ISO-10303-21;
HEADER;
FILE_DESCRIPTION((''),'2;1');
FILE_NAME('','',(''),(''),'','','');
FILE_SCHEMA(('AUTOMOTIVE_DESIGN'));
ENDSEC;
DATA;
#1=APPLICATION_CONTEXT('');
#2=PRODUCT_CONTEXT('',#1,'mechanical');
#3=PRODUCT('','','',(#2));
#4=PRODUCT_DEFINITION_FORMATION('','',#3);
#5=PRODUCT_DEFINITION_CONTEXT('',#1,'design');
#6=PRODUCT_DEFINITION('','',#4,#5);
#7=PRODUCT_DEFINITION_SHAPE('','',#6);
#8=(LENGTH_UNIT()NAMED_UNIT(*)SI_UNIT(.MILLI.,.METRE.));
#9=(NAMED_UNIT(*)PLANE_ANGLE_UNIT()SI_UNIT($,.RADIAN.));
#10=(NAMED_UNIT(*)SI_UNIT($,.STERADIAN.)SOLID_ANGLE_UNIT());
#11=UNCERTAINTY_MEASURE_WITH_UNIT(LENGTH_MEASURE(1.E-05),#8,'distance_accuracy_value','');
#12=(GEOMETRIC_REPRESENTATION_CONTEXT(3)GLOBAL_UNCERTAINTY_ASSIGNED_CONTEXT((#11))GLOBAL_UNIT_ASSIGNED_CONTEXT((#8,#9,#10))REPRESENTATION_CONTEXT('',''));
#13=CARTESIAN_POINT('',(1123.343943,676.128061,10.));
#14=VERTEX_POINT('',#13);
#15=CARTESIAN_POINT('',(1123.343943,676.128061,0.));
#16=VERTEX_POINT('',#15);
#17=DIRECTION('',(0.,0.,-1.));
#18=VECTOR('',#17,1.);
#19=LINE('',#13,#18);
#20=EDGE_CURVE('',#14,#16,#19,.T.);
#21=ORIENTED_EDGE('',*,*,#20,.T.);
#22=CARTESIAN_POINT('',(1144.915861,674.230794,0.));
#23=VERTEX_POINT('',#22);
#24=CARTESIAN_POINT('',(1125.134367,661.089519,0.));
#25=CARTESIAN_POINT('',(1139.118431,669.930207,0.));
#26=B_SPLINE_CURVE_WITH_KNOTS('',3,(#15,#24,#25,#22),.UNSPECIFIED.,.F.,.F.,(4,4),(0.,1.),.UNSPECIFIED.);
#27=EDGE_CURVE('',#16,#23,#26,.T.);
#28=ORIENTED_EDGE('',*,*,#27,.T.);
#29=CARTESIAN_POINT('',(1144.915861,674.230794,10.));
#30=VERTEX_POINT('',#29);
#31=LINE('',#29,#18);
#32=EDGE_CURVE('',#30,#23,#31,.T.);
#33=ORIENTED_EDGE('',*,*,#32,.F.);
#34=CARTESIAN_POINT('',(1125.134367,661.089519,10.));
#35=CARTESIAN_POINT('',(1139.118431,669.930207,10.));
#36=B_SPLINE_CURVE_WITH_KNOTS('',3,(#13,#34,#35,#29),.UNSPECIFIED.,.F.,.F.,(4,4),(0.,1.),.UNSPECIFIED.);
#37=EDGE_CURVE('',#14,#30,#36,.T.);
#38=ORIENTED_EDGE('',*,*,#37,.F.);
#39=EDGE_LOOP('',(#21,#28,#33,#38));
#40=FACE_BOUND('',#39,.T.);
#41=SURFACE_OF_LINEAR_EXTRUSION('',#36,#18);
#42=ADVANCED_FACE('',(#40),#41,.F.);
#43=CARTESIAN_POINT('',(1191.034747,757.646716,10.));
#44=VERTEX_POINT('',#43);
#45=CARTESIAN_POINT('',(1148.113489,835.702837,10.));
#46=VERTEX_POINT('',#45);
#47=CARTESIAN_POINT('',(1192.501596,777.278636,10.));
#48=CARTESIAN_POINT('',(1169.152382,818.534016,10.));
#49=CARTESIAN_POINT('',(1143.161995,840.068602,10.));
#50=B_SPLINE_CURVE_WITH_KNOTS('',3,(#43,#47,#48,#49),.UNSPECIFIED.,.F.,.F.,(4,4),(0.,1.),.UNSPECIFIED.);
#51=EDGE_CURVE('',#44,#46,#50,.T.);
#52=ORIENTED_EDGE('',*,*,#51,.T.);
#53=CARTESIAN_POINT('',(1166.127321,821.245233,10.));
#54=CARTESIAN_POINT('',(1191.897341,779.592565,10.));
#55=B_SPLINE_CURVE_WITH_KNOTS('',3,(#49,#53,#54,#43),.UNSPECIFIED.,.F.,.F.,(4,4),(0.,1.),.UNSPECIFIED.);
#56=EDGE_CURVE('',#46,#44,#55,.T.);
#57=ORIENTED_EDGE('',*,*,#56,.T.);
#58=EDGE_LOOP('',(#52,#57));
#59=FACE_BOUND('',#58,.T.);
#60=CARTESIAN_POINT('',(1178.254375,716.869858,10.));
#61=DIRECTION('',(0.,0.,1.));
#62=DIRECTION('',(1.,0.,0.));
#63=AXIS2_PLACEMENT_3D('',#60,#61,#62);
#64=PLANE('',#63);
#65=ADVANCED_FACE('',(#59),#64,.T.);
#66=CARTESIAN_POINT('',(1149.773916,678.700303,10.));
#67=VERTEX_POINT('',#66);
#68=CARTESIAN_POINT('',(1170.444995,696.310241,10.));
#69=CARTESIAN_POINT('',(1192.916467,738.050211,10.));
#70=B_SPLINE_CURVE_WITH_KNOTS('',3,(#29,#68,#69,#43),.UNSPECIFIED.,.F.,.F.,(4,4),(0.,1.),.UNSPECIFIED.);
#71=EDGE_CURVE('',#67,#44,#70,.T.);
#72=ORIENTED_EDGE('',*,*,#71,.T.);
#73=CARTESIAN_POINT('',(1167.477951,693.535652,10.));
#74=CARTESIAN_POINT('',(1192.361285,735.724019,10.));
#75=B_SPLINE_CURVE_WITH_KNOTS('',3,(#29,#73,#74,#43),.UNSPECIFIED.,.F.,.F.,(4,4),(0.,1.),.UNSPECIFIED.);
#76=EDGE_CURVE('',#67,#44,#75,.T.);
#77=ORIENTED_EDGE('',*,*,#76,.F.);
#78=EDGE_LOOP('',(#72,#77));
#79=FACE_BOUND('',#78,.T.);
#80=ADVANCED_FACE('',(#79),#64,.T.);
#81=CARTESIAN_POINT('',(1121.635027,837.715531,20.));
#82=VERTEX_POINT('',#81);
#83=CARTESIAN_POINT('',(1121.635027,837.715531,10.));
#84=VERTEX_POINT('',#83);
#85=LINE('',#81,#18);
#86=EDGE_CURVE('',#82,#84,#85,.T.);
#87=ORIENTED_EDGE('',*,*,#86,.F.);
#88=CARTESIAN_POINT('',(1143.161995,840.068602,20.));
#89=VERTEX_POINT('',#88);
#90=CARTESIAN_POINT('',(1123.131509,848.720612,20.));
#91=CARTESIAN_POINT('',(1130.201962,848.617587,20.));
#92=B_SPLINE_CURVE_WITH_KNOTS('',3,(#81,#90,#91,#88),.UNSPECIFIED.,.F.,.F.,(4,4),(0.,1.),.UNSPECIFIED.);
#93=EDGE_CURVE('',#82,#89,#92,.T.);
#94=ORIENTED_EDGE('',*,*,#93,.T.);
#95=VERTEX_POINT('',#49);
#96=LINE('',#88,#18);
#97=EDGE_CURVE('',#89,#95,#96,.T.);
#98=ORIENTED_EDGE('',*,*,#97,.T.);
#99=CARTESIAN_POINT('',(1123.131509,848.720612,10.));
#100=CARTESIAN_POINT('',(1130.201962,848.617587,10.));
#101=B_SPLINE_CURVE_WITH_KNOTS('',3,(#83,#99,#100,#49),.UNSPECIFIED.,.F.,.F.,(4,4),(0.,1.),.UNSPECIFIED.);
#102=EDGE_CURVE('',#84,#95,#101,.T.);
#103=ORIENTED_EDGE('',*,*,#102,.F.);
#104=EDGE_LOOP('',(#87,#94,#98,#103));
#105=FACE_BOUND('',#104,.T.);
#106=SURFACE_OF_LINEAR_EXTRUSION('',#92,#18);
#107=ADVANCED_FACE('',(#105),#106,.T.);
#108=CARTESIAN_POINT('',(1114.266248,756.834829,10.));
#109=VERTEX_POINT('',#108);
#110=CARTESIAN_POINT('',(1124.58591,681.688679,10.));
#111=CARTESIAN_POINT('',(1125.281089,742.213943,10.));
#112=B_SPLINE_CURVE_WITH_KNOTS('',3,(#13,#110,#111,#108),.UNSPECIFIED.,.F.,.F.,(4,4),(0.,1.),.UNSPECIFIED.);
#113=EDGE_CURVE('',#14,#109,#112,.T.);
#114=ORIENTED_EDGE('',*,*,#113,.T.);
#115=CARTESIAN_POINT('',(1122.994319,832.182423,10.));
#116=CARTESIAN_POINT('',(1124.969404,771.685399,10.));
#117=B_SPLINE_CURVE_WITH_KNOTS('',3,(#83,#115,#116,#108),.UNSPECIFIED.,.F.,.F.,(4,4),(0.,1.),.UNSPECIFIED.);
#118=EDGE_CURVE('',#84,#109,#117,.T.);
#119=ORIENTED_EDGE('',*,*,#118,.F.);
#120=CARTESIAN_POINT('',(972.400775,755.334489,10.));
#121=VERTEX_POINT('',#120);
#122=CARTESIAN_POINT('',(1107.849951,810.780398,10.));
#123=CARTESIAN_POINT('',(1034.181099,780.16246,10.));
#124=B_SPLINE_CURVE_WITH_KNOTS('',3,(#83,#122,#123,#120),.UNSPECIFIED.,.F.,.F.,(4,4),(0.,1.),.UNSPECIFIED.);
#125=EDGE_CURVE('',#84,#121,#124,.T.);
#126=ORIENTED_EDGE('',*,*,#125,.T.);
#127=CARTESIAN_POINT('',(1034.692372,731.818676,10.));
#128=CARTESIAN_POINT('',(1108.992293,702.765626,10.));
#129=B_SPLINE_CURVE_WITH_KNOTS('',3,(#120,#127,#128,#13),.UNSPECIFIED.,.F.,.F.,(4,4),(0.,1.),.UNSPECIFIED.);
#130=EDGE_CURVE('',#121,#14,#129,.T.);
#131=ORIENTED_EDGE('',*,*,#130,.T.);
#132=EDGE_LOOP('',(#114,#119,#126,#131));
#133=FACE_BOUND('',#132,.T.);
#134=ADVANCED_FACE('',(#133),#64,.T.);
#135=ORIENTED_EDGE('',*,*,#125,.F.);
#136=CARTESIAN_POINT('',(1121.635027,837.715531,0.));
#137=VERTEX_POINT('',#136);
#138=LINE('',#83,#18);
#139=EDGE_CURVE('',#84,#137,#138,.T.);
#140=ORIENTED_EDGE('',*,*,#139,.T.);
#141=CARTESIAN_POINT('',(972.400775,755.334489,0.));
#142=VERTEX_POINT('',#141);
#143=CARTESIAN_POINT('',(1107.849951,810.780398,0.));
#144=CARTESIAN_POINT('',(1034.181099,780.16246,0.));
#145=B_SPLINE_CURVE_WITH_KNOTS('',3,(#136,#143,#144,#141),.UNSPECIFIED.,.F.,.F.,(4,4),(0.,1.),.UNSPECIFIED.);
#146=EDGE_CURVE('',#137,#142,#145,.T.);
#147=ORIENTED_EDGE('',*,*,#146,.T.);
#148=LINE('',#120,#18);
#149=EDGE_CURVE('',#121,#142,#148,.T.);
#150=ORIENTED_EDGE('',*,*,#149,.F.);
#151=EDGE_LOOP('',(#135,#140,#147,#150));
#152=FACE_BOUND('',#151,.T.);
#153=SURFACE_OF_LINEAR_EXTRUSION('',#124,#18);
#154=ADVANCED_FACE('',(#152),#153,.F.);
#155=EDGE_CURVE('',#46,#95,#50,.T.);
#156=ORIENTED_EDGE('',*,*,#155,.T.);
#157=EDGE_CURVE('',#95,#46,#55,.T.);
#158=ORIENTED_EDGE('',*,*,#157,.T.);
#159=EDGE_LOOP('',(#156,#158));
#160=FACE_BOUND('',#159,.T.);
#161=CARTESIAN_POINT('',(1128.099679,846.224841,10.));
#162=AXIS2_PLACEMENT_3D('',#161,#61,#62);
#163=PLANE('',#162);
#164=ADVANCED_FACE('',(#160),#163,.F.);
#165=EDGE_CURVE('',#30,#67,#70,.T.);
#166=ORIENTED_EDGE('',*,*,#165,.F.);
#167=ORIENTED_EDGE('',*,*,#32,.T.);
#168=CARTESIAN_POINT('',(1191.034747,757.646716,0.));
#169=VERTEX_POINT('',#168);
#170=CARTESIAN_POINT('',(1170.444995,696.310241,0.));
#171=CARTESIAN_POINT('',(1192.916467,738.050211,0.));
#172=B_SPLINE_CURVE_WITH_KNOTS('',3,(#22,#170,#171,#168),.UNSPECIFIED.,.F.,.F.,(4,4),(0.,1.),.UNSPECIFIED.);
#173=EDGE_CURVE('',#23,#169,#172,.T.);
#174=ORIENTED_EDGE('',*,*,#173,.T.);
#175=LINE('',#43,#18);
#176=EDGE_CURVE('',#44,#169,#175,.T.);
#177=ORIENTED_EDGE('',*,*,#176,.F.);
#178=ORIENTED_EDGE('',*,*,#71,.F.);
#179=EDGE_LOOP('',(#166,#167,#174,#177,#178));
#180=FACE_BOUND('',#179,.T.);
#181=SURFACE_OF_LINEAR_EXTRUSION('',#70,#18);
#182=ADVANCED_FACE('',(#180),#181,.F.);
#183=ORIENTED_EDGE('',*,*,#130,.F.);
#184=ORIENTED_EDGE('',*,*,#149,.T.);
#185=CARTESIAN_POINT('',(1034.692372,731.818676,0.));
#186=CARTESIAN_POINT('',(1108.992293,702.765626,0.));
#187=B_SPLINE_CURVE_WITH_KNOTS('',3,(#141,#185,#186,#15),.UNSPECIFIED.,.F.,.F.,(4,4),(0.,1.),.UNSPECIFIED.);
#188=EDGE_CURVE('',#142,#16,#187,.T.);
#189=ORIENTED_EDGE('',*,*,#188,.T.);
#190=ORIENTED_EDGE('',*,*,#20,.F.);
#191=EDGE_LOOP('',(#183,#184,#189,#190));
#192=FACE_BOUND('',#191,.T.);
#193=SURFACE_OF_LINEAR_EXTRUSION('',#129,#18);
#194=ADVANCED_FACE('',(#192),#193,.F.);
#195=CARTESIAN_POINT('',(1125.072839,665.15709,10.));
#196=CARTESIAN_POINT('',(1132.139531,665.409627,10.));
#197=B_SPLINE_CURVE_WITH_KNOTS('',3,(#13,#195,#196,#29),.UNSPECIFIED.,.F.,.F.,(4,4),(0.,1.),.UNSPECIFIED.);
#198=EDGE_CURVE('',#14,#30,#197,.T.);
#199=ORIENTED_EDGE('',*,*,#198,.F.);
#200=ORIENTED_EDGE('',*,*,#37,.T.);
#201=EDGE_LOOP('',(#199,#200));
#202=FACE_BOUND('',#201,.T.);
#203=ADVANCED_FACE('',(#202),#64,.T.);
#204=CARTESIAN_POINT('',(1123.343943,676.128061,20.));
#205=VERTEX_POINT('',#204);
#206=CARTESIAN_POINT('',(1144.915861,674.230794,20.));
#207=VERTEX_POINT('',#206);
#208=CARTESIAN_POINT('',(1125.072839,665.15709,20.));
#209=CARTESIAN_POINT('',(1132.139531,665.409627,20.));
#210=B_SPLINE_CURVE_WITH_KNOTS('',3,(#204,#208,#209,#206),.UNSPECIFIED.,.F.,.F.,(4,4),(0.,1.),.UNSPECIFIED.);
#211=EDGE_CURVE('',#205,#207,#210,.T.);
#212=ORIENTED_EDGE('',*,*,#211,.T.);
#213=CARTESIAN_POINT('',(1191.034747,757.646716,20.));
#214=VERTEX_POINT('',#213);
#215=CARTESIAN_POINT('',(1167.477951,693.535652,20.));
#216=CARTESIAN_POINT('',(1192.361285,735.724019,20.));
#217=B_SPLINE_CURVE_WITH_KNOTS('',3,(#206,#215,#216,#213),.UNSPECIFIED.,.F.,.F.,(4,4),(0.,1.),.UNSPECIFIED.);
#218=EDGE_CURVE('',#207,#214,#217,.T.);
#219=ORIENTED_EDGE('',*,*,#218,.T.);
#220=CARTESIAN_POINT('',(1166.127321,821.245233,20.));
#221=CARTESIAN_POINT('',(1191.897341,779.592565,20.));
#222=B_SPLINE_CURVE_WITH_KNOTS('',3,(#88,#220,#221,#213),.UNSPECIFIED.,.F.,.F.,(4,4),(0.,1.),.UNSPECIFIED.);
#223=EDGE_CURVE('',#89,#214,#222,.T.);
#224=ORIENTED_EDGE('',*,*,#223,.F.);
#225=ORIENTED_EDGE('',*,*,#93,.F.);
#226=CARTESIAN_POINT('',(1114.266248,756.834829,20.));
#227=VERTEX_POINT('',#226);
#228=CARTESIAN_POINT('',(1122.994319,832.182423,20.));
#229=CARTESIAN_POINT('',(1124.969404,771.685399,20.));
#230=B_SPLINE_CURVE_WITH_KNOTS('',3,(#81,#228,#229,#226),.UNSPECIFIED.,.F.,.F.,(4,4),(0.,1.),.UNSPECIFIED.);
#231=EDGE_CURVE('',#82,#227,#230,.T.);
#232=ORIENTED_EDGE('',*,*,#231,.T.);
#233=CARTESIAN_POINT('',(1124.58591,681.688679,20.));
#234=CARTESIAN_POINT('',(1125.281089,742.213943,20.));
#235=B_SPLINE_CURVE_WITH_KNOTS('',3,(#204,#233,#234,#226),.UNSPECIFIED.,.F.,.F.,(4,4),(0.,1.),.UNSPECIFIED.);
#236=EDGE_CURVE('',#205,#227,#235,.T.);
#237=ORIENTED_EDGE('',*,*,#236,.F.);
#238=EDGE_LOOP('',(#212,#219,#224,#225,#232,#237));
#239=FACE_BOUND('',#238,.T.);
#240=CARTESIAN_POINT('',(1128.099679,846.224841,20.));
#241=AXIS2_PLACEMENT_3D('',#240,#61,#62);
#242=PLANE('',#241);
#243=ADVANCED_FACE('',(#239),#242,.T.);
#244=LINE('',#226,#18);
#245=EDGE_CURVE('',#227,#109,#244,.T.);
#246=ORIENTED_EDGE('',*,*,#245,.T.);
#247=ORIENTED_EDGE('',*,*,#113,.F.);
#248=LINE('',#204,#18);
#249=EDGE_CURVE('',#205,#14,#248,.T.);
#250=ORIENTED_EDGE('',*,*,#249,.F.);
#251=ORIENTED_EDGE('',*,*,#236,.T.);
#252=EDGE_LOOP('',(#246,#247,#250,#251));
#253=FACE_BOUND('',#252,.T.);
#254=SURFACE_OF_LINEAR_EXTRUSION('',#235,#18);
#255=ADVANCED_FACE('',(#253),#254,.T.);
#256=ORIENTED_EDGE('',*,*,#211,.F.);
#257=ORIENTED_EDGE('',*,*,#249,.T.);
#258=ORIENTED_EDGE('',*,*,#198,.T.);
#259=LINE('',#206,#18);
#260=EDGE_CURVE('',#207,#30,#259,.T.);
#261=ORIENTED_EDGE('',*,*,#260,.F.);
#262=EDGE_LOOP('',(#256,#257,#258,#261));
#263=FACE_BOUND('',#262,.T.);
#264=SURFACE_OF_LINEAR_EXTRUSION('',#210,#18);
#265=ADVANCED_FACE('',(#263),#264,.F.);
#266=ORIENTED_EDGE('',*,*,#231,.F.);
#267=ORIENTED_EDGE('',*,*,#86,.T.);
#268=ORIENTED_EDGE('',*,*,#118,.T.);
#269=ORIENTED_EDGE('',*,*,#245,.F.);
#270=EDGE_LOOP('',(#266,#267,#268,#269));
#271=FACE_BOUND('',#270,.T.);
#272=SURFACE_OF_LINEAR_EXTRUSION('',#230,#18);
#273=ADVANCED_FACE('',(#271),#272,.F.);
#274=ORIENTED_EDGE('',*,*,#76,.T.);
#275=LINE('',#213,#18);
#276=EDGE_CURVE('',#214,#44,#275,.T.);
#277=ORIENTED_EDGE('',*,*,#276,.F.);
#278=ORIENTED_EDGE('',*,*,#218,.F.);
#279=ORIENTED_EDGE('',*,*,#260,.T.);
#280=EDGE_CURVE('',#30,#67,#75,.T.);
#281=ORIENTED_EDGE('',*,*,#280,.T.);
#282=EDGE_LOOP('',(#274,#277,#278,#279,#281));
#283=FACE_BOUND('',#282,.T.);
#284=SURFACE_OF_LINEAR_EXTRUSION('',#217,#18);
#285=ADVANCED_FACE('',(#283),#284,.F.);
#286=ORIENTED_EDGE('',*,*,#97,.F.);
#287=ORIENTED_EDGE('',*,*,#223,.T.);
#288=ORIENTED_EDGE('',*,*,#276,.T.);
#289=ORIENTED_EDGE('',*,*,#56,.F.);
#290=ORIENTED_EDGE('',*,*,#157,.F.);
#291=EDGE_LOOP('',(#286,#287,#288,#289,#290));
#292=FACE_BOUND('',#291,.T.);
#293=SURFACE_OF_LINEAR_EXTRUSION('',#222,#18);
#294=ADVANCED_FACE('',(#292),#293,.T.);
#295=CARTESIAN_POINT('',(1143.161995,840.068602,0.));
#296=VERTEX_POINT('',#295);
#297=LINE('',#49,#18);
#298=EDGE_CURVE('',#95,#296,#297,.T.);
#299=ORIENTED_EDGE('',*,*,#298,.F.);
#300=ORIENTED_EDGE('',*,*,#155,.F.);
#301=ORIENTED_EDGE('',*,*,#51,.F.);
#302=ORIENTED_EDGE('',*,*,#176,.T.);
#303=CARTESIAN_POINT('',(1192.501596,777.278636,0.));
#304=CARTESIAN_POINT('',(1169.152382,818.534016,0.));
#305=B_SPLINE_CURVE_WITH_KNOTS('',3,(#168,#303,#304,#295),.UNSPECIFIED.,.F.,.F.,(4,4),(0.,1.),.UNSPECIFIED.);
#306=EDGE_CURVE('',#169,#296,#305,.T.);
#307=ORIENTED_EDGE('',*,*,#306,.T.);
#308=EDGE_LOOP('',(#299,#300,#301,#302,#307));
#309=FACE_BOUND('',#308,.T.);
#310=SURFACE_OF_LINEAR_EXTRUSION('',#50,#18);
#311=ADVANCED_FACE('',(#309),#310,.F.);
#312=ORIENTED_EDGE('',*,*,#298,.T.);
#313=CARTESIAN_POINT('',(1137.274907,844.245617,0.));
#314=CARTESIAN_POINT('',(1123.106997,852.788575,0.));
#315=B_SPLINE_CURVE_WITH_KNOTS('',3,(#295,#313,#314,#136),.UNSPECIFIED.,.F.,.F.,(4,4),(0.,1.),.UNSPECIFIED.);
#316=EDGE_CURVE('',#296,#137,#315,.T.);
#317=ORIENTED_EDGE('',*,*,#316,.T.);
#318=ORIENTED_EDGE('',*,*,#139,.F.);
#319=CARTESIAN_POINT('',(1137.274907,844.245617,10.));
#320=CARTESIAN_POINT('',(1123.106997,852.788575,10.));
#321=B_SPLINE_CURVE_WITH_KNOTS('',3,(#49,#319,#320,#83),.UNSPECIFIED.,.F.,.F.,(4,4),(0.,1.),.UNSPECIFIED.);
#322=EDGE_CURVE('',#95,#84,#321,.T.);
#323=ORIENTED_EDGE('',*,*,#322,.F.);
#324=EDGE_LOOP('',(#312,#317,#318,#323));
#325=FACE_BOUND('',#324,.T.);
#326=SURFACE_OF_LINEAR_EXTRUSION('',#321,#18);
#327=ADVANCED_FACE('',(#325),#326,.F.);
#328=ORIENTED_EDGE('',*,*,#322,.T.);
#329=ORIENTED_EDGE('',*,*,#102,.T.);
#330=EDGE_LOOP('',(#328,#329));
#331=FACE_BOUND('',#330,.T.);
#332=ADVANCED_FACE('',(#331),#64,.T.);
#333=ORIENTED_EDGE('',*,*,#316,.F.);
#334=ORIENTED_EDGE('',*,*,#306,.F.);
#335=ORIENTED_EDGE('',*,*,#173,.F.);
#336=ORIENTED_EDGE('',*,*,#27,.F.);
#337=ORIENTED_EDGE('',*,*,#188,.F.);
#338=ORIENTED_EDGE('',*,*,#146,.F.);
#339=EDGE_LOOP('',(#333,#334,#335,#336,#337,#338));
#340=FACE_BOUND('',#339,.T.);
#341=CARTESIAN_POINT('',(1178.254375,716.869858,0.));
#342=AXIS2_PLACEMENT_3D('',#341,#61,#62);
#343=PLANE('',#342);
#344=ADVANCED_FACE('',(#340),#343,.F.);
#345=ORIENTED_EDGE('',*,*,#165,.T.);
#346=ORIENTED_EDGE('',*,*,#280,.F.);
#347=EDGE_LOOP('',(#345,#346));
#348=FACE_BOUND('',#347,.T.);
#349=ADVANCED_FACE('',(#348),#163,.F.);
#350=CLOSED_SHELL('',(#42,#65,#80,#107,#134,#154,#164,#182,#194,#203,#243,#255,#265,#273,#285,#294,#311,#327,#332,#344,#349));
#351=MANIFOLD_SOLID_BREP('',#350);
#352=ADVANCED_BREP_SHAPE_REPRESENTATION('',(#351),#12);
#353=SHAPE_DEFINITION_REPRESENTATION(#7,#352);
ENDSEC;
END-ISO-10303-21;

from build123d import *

# Parameters (mm, degrees)
BOSS_EXTRUDE1_DEPTH = 10
BOSS_EXTRUDE2_DEPTH = 10


with BuildPart() as part:
    # Sketch3 → Boss-Extrude1 (new body)
    with BuildSketch(Plane.XY):
        with BuildLine():
            add(Edge.make_bspline(
                [(1191.034746988, 757.646716361), (1192.501595784, 777.278635739), (1169.152381791, 818.53401585), (1143.161995097, 840.068602242)],
                knots=[0, 0, 0, 0, 1, 1, 1, 1], degree=3))
            add(Edge.make_bspline(
                [(1143.161995097, 840.068602242), (1137.274907156, 844.245616795), (1123.106997409, 852.788575192), (1121.635027153, 837.715530595)],
                knots=[0, 0, 0, 0, 1, 1, 1, 1], degree=3))
            add(Edge.make_bspline(
                [(1121.635027153, 837.715530595), (1107.849951403, 810.780397707), (1034.181098513, 780.162460067), (972.400775185, 755.334488692)],
                knots=[0, 0, 0, 0, 1, 1, 1, 1], degree=3))
            add(Edge.make_bspline(
                [(1123.343942812, 676.128061097), (1108.992293291, 702.765625798), (1034.692372372, 731.818676288), (972.400775185, 755.334488692)],
                knots=[0, 0, 0, 0, 1, 1, 1, 1], degree=3))
            add(Edge.make_bspline(
                [(1144.915861455, 674.230794361), (1139.118430881, 669.930206757), (1125.134366982, 661.089518909), (1123.343942812, 676.128061097)],
                knots=[0, 0, 0, 0, 1, 1, 1, 1], degree=3))
            add(Edge.make_bspline(
                [(1191.034746988, 757.646716361), (1192.916467494, 738.050210759), (1170.444995161, 696.310240546), (1144.915861455, 674.230794361)],
                knots=[0, 0, 0, 0, 1, 1, 1, 1], degree=3))
        make_face()
    extrude(amount=BOSS_EXTRUDE1_DEPTH)

    # Sketch4 → Boss-Extrude2 (add)
    with BuildSketch(Plane.XY.offset(10)):
        with BuildLine():
            add(Edge.make_bspline(
                [(1121.635027153, 837.715530595), (1122.994319161, 832.182423063), (1124.969404488, 771.685399193), (1114.266247799, 756.83482859)],
                knots=[0, 0, 0, 0, 1, 1, 1, 1], degree=3))
            add(Edge.make_bspline(
                [(1123.343942812, 676.128061097), (1124.585909874, 681.688679007), (1125.281088513, 742.213943037), (1114.266247799, 756.83482859)],
                knots=[0, 0, 0, 0, 1, 1, 1, 1], degree=3))
            add(Edge.make_bspline(
                [(1123.343942812, 676.128061097), (1125.072838739, 665.157090414), (1132.139531171, 665.40962684), (1144.915861455, 674.230794361)],
                knots=[0, 0, 0, 0, 1, 1, 1, 1], degree=3))
            add(Edge.make_bspline(
                [(1144.915861455, 674.230794361), (1167.477950932, 693.53565223), (1192.361285284, 735.724019033), (1191.034746988, 757.646716361)],
                knots=[0, 0, 0, 0, 1, 1, 1, 1], degree=3))
            add(Edge.make_bspline(
                [(1143.161995097, 840.068602242), (1166.127320819, 821.245232901), (1191.897340609, 779.592565495), (1191.034746988, 757.646716361)],
                knots=[0, 0, 0, 0, 1, 1, 1, 1], degree=3))
            add(Edge.make_bspline(
                [(1121.635027153, 837.715530595), (1123.131508896, 848.720612205), (1130.201961672, 848.617587304), (1143.161995097, 840.068602242)],
                knots=[0, 0, 0, 0, 1, 1, 1, 1], degree=3))
        make_face()
    extrude(amount=BOSS_EXTRUDE2_DEPTH)


solid = part.part
